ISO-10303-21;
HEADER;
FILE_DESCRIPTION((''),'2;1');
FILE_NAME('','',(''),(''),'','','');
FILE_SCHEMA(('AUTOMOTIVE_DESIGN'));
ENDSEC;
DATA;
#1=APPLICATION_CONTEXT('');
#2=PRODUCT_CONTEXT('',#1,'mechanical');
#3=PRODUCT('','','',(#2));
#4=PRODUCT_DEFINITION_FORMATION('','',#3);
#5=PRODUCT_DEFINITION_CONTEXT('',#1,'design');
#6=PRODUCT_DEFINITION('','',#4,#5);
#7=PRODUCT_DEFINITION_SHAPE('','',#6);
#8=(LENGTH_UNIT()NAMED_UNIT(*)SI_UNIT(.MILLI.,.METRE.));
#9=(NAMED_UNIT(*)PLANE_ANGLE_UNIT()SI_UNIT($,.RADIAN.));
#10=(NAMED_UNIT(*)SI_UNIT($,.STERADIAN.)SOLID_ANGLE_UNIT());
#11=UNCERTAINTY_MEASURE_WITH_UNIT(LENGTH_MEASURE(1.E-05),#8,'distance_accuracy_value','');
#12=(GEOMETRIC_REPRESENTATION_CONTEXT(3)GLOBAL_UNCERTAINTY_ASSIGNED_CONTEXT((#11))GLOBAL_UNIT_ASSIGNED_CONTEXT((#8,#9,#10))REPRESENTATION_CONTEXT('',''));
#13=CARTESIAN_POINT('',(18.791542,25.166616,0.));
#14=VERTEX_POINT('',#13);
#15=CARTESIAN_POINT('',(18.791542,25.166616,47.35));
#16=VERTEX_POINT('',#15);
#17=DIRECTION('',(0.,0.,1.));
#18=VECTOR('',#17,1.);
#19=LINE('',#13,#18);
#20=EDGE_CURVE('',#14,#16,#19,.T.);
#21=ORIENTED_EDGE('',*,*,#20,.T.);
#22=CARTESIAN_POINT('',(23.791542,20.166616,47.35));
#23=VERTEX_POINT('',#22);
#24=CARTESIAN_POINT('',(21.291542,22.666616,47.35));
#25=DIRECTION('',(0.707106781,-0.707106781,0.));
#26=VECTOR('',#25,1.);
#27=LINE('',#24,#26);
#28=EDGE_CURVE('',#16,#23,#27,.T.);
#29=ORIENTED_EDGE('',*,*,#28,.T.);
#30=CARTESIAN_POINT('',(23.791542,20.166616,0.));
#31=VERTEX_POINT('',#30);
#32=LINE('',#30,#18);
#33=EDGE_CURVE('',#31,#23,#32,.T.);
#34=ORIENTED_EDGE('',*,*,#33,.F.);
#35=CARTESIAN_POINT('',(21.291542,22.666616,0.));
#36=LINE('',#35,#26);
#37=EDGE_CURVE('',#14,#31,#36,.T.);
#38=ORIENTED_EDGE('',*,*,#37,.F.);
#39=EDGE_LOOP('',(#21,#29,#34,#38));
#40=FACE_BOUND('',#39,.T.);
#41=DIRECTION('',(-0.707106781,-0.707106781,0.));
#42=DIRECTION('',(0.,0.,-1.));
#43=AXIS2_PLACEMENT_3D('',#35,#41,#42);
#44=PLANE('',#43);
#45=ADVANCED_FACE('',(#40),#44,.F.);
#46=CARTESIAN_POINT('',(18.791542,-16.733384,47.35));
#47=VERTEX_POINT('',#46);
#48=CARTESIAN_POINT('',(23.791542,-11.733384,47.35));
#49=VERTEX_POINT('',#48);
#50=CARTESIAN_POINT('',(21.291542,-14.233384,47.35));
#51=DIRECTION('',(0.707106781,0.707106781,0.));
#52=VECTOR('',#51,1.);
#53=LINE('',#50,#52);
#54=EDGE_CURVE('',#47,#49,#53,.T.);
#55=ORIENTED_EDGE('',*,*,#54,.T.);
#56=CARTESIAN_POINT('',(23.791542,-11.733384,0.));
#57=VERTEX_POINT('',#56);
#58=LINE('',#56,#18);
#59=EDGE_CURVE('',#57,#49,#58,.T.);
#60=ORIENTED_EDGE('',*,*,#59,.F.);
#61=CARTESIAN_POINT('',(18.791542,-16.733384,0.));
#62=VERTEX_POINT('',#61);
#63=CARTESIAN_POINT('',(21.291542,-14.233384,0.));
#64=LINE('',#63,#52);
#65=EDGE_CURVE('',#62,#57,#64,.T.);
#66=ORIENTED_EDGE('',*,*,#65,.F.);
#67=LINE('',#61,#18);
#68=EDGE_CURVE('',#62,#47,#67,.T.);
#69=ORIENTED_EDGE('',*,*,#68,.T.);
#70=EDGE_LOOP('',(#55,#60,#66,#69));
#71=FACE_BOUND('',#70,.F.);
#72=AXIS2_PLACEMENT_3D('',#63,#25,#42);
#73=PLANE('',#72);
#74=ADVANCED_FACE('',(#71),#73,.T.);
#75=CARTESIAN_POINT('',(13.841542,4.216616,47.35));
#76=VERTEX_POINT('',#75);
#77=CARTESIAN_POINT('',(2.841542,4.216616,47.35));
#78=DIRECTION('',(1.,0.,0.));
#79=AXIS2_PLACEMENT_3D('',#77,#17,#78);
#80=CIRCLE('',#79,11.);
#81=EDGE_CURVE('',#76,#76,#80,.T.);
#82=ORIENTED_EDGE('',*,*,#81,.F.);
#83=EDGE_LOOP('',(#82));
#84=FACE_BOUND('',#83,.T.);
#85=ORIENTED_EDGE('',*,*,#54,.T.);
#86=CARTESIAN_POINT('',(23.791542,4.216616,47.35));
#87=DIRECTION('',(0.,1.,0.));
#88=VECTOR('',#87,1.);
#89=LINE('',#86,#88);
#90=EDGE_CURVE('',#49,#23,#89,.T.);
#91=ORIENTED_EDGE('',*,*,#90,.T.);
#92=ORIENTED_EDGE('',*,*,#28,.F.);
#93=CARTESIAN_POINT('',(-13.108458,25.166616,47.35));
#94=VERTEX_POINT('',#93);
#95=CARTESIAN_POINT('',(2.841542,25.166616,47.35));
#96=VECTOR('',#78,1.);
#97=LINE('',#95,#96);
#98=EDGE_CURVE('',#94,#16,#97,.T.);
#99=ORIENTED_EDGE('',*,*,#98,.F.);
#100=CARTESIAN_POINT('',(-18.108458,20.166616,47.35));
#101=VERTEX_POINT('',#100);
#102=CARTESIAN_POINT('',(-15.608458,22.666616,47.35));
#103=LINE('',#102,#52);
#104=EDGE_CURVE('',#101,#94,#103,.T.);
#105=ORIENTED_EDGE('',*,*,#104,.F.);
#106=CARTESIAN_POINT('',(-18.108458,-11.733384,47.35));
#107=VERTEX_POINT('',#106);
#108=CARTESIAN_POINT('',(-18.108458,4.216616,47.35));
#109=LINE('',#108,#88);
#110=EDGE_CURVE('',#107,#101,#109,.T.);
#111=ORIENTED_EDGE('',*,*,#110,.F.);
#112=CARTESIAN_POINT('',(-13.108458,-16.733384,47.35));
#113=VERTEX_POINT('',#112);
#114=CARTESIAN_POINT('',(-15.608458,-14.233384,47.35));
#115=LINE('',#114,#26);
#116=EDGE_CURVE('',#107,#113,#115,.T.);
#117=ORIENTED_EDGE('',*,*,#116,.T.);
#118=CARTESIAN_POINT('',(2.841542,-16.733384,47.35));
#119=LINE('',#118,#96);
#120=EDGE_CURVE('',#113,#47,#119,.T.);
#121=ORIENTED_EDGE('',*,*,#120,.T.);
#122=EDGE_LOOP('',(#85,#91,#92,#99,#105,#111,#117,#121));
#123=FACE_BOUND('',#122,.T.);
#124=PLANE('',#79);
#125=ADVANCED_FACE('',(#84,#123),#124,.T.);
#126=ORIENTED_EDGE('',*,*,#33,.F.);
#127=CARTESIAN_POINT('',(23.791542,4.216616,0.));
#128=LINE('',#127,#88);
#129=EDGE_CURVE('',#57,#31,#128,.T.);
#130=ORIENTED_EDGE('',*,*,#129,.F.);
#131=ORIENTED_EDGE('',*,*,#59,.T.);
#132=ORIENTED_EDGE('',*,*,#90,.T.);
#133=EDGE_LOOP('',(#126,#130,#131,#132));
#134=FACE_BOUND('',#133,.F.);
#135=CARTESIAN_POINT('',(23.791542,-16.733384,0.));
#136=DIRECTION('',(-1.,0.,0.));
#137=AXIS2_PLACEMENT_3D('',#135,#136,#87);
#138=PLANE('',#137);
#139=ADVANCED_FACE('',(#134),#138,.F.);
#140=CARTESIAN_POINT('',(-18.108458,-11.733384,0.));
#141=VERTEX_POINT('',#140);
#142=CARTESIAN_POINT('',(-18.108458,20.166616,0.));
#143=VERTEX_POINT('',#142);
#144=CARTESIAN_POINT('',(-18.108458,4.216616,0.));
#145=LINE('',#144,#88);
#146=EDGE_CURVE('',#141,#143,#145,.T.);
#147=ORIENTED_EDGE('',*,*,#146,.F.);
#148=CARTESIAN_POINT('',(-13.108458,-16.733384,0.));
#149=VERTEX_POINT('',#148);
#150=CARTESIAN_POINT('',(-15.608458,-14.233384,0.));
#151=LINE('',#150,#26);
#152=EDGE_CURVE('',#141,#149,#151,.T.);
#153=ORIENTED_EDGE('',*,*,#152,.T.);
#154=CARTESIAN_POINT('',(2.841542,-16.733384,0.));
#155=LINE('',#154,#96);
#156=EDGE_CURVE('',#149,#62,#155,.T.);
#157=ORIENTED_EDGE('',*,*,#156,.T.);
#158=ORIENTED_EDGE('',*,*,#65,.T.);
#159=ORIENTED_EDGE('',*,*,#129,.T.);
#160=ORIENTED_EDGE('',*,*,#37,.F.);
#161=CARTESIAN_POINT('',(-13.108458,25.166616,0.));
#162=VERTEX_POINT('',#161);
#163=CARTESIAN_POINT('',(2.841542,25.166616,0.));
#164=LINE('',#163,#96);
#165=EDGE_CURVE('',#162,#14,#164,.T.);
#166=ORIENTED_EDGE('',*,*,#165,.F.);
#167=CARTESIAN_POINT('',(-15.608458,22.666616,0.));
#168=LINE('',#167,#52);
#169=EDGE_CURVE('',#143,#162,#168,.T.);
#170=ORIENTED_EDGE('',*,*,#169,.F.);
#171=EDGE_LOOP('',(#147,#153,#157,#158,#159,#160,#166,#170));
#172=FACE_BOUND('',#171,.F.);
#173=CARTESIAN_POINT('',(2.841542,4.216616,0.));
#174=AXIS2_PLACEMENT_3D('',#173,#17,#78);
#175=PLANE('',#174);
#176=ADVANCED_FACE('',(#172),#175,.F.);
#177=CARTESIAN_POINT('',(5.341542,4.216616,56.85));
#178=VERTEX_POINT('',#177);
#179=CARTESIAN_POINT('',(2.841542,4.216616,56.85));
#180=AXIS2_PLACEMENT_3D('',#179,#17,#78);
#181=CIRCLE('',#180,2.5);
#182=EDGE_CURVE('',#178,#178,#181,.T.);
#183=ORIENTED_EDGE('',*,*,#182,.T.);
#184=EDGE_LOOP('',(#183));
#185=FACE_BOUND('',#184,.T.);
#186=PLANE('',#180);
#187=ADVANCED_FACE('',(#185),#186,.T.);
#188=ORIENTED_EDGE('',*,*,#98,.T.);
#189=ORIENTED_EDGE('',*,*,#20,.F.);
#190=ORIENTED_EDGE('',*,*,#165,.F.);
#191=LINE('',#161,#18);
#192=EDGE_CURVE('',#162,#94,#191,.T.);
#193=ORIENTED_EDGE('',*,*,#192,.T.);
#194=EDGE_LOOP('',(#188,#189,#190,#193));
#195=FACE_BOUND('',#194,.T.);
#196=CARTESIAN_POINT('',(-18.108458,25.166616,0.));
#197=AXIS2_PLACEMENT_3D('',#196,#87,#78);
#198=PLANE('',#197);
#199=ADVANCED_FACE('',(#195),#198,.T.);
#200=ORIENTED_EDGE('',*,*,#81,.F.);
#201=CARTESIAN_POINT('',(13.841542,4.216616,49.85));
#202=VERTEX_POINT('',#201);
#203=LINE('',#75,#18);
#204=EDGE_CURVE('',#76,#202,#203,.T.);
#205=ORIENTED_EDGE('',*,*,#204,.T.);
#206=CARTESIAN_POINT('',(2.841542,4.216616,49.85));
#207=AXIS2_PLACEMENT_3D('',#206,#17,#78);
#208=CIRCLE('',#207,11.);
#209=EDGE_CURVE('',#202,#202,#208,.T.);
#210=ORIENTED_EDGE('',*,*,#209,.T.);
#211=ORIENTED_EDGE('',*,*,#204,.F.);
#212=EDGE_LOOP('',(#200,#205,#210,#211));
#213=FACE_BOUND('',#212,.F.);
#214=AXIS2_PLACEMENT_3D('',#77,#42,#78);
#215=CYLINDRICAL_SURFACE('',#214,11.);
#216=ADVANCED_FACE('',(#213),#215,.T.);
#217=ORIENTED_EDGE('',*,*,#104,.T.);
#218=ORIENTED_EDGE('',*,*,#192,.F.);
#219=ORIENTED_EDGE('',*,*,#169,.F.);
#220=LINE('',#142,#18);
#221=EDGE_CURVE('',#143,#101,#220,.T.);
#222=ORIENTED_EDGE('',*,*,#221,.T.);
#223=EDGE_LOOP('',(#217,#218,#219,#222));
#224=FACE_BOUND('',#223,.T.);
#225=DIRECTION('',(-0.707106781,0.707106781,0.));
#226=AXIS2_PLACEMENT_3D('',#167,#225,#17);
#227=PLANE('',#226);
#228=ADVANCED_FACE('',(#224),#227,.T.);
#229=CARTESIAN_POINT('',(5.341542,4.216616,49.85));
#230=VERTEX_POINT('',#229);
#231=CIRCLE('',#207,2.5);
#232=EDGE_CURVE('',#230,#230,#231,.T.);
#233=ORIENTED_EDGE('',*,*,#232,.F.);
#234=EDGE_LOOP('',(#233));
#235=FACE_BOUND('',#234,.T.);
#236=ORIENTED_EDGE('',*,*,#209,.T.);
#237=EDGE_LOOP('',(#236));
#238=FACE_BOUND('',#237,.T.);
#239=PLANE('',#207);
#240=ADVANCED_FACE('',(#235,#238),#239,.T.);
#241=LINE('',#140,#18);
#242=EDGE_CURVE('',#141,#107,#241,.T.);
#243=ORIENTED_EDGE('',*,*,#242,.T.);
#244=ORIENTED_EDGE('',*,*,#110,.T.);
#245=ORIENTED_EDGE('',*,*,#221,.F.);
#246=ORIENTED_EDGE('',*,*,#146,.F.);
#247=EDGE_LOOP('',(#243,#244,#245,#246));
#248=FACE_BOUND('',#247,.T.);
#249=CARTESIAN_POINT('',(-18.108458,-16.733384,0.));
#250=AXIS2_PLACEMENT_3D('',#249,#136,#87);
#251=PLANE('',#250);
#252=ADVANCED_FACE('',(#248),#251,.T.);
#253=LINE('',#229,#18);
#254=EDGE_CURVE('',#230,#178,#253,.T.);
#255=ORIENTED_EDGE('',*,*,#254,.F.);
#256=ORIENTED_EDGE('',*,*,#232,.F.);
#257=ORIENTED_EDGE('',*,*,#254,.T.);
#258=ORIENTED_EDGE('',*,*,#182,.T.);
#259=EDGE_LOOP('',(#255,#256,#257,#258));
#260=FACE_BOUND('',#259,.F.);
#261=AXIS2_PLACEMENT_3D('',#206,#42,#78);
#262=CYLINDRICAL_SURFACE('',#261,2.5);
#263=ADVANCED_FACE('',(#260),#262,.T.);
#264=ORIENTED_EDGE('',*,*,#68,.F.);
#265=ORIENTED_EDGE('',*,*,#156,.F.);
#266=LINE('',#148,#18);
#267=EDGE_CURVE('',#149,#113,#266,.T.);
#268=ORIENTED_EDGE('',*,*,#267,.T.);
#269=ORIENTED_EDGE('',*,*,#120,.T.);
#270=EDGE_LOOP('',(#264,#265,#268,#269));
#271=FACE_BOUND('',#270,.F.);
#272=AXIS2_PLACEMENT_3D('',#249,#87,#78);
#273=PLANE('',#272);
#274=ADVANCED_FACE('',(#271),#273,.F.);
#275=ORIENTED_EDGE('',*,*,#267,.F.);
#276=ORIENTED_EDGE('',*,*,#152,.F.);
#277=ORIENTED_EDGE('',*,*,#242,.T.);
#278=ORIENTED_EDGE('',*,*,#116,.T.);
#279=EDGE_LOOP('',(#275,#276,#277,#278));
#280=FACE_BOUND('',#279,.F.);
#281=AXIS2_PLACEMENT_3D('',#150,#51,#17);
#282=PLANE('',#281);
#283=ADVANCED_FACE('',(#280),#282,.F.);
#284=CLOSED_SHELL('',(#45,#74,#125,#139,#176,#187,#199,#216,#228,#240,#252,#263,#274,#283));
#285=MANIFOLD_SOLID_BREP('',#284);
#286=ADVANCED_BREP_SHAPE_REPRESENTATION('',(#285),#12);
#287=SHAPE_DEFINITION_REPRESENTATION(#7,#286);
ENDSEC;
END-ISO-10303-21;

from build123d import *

# Parameters (mm, degrees)
F0_W     = 41.9
F0_H     = 41.9
F1_DEPTH = 47.35
F2_R     = 11
F3_DEPTH = 2.5
F4_R     = 2.5
F5_DEPTH = 7
F6_SIZE  = 5


with BuildPart() as f1:
    # F0 (on Top) → F1 (new body)
    with BuildSketch(Plane.XY):
        with Locations((2.841542, 4.216616)):
            Rectangle(F0_W, F0_H)
    extrude(amount=F1_DEPTH)

    # F2 (on face) → F3 (join)
    with BuildSketch(Plane.XY.offset(47.35)):
        with Locations((2.841542, 4.216616)):
            Circle(F2_R)
    extrude(amount=F3_DEPTH)

    # F4 (on face) → F5 (join)
    with BuildSketch(Plane.XY.offset(49.85)):
        with Locations((2.841542, 4.216616)):
            Circle(F4_R)
    extrude(amount=F5_DEPTH)

    # F6
    f6_edges = [f1.edges().sort_by_distance(p)[0] for p in [
        (-18.108458, 25.166616, 23.675),
        (-18.108458, -16.733384, 23.675),
        (23.791542, -16.733384, 23.675),
        (23.791542, 25.166616, 23.675),
    ]]
    chamfer(f6_edges, length=F6_SIZE)


solid = f1.part
